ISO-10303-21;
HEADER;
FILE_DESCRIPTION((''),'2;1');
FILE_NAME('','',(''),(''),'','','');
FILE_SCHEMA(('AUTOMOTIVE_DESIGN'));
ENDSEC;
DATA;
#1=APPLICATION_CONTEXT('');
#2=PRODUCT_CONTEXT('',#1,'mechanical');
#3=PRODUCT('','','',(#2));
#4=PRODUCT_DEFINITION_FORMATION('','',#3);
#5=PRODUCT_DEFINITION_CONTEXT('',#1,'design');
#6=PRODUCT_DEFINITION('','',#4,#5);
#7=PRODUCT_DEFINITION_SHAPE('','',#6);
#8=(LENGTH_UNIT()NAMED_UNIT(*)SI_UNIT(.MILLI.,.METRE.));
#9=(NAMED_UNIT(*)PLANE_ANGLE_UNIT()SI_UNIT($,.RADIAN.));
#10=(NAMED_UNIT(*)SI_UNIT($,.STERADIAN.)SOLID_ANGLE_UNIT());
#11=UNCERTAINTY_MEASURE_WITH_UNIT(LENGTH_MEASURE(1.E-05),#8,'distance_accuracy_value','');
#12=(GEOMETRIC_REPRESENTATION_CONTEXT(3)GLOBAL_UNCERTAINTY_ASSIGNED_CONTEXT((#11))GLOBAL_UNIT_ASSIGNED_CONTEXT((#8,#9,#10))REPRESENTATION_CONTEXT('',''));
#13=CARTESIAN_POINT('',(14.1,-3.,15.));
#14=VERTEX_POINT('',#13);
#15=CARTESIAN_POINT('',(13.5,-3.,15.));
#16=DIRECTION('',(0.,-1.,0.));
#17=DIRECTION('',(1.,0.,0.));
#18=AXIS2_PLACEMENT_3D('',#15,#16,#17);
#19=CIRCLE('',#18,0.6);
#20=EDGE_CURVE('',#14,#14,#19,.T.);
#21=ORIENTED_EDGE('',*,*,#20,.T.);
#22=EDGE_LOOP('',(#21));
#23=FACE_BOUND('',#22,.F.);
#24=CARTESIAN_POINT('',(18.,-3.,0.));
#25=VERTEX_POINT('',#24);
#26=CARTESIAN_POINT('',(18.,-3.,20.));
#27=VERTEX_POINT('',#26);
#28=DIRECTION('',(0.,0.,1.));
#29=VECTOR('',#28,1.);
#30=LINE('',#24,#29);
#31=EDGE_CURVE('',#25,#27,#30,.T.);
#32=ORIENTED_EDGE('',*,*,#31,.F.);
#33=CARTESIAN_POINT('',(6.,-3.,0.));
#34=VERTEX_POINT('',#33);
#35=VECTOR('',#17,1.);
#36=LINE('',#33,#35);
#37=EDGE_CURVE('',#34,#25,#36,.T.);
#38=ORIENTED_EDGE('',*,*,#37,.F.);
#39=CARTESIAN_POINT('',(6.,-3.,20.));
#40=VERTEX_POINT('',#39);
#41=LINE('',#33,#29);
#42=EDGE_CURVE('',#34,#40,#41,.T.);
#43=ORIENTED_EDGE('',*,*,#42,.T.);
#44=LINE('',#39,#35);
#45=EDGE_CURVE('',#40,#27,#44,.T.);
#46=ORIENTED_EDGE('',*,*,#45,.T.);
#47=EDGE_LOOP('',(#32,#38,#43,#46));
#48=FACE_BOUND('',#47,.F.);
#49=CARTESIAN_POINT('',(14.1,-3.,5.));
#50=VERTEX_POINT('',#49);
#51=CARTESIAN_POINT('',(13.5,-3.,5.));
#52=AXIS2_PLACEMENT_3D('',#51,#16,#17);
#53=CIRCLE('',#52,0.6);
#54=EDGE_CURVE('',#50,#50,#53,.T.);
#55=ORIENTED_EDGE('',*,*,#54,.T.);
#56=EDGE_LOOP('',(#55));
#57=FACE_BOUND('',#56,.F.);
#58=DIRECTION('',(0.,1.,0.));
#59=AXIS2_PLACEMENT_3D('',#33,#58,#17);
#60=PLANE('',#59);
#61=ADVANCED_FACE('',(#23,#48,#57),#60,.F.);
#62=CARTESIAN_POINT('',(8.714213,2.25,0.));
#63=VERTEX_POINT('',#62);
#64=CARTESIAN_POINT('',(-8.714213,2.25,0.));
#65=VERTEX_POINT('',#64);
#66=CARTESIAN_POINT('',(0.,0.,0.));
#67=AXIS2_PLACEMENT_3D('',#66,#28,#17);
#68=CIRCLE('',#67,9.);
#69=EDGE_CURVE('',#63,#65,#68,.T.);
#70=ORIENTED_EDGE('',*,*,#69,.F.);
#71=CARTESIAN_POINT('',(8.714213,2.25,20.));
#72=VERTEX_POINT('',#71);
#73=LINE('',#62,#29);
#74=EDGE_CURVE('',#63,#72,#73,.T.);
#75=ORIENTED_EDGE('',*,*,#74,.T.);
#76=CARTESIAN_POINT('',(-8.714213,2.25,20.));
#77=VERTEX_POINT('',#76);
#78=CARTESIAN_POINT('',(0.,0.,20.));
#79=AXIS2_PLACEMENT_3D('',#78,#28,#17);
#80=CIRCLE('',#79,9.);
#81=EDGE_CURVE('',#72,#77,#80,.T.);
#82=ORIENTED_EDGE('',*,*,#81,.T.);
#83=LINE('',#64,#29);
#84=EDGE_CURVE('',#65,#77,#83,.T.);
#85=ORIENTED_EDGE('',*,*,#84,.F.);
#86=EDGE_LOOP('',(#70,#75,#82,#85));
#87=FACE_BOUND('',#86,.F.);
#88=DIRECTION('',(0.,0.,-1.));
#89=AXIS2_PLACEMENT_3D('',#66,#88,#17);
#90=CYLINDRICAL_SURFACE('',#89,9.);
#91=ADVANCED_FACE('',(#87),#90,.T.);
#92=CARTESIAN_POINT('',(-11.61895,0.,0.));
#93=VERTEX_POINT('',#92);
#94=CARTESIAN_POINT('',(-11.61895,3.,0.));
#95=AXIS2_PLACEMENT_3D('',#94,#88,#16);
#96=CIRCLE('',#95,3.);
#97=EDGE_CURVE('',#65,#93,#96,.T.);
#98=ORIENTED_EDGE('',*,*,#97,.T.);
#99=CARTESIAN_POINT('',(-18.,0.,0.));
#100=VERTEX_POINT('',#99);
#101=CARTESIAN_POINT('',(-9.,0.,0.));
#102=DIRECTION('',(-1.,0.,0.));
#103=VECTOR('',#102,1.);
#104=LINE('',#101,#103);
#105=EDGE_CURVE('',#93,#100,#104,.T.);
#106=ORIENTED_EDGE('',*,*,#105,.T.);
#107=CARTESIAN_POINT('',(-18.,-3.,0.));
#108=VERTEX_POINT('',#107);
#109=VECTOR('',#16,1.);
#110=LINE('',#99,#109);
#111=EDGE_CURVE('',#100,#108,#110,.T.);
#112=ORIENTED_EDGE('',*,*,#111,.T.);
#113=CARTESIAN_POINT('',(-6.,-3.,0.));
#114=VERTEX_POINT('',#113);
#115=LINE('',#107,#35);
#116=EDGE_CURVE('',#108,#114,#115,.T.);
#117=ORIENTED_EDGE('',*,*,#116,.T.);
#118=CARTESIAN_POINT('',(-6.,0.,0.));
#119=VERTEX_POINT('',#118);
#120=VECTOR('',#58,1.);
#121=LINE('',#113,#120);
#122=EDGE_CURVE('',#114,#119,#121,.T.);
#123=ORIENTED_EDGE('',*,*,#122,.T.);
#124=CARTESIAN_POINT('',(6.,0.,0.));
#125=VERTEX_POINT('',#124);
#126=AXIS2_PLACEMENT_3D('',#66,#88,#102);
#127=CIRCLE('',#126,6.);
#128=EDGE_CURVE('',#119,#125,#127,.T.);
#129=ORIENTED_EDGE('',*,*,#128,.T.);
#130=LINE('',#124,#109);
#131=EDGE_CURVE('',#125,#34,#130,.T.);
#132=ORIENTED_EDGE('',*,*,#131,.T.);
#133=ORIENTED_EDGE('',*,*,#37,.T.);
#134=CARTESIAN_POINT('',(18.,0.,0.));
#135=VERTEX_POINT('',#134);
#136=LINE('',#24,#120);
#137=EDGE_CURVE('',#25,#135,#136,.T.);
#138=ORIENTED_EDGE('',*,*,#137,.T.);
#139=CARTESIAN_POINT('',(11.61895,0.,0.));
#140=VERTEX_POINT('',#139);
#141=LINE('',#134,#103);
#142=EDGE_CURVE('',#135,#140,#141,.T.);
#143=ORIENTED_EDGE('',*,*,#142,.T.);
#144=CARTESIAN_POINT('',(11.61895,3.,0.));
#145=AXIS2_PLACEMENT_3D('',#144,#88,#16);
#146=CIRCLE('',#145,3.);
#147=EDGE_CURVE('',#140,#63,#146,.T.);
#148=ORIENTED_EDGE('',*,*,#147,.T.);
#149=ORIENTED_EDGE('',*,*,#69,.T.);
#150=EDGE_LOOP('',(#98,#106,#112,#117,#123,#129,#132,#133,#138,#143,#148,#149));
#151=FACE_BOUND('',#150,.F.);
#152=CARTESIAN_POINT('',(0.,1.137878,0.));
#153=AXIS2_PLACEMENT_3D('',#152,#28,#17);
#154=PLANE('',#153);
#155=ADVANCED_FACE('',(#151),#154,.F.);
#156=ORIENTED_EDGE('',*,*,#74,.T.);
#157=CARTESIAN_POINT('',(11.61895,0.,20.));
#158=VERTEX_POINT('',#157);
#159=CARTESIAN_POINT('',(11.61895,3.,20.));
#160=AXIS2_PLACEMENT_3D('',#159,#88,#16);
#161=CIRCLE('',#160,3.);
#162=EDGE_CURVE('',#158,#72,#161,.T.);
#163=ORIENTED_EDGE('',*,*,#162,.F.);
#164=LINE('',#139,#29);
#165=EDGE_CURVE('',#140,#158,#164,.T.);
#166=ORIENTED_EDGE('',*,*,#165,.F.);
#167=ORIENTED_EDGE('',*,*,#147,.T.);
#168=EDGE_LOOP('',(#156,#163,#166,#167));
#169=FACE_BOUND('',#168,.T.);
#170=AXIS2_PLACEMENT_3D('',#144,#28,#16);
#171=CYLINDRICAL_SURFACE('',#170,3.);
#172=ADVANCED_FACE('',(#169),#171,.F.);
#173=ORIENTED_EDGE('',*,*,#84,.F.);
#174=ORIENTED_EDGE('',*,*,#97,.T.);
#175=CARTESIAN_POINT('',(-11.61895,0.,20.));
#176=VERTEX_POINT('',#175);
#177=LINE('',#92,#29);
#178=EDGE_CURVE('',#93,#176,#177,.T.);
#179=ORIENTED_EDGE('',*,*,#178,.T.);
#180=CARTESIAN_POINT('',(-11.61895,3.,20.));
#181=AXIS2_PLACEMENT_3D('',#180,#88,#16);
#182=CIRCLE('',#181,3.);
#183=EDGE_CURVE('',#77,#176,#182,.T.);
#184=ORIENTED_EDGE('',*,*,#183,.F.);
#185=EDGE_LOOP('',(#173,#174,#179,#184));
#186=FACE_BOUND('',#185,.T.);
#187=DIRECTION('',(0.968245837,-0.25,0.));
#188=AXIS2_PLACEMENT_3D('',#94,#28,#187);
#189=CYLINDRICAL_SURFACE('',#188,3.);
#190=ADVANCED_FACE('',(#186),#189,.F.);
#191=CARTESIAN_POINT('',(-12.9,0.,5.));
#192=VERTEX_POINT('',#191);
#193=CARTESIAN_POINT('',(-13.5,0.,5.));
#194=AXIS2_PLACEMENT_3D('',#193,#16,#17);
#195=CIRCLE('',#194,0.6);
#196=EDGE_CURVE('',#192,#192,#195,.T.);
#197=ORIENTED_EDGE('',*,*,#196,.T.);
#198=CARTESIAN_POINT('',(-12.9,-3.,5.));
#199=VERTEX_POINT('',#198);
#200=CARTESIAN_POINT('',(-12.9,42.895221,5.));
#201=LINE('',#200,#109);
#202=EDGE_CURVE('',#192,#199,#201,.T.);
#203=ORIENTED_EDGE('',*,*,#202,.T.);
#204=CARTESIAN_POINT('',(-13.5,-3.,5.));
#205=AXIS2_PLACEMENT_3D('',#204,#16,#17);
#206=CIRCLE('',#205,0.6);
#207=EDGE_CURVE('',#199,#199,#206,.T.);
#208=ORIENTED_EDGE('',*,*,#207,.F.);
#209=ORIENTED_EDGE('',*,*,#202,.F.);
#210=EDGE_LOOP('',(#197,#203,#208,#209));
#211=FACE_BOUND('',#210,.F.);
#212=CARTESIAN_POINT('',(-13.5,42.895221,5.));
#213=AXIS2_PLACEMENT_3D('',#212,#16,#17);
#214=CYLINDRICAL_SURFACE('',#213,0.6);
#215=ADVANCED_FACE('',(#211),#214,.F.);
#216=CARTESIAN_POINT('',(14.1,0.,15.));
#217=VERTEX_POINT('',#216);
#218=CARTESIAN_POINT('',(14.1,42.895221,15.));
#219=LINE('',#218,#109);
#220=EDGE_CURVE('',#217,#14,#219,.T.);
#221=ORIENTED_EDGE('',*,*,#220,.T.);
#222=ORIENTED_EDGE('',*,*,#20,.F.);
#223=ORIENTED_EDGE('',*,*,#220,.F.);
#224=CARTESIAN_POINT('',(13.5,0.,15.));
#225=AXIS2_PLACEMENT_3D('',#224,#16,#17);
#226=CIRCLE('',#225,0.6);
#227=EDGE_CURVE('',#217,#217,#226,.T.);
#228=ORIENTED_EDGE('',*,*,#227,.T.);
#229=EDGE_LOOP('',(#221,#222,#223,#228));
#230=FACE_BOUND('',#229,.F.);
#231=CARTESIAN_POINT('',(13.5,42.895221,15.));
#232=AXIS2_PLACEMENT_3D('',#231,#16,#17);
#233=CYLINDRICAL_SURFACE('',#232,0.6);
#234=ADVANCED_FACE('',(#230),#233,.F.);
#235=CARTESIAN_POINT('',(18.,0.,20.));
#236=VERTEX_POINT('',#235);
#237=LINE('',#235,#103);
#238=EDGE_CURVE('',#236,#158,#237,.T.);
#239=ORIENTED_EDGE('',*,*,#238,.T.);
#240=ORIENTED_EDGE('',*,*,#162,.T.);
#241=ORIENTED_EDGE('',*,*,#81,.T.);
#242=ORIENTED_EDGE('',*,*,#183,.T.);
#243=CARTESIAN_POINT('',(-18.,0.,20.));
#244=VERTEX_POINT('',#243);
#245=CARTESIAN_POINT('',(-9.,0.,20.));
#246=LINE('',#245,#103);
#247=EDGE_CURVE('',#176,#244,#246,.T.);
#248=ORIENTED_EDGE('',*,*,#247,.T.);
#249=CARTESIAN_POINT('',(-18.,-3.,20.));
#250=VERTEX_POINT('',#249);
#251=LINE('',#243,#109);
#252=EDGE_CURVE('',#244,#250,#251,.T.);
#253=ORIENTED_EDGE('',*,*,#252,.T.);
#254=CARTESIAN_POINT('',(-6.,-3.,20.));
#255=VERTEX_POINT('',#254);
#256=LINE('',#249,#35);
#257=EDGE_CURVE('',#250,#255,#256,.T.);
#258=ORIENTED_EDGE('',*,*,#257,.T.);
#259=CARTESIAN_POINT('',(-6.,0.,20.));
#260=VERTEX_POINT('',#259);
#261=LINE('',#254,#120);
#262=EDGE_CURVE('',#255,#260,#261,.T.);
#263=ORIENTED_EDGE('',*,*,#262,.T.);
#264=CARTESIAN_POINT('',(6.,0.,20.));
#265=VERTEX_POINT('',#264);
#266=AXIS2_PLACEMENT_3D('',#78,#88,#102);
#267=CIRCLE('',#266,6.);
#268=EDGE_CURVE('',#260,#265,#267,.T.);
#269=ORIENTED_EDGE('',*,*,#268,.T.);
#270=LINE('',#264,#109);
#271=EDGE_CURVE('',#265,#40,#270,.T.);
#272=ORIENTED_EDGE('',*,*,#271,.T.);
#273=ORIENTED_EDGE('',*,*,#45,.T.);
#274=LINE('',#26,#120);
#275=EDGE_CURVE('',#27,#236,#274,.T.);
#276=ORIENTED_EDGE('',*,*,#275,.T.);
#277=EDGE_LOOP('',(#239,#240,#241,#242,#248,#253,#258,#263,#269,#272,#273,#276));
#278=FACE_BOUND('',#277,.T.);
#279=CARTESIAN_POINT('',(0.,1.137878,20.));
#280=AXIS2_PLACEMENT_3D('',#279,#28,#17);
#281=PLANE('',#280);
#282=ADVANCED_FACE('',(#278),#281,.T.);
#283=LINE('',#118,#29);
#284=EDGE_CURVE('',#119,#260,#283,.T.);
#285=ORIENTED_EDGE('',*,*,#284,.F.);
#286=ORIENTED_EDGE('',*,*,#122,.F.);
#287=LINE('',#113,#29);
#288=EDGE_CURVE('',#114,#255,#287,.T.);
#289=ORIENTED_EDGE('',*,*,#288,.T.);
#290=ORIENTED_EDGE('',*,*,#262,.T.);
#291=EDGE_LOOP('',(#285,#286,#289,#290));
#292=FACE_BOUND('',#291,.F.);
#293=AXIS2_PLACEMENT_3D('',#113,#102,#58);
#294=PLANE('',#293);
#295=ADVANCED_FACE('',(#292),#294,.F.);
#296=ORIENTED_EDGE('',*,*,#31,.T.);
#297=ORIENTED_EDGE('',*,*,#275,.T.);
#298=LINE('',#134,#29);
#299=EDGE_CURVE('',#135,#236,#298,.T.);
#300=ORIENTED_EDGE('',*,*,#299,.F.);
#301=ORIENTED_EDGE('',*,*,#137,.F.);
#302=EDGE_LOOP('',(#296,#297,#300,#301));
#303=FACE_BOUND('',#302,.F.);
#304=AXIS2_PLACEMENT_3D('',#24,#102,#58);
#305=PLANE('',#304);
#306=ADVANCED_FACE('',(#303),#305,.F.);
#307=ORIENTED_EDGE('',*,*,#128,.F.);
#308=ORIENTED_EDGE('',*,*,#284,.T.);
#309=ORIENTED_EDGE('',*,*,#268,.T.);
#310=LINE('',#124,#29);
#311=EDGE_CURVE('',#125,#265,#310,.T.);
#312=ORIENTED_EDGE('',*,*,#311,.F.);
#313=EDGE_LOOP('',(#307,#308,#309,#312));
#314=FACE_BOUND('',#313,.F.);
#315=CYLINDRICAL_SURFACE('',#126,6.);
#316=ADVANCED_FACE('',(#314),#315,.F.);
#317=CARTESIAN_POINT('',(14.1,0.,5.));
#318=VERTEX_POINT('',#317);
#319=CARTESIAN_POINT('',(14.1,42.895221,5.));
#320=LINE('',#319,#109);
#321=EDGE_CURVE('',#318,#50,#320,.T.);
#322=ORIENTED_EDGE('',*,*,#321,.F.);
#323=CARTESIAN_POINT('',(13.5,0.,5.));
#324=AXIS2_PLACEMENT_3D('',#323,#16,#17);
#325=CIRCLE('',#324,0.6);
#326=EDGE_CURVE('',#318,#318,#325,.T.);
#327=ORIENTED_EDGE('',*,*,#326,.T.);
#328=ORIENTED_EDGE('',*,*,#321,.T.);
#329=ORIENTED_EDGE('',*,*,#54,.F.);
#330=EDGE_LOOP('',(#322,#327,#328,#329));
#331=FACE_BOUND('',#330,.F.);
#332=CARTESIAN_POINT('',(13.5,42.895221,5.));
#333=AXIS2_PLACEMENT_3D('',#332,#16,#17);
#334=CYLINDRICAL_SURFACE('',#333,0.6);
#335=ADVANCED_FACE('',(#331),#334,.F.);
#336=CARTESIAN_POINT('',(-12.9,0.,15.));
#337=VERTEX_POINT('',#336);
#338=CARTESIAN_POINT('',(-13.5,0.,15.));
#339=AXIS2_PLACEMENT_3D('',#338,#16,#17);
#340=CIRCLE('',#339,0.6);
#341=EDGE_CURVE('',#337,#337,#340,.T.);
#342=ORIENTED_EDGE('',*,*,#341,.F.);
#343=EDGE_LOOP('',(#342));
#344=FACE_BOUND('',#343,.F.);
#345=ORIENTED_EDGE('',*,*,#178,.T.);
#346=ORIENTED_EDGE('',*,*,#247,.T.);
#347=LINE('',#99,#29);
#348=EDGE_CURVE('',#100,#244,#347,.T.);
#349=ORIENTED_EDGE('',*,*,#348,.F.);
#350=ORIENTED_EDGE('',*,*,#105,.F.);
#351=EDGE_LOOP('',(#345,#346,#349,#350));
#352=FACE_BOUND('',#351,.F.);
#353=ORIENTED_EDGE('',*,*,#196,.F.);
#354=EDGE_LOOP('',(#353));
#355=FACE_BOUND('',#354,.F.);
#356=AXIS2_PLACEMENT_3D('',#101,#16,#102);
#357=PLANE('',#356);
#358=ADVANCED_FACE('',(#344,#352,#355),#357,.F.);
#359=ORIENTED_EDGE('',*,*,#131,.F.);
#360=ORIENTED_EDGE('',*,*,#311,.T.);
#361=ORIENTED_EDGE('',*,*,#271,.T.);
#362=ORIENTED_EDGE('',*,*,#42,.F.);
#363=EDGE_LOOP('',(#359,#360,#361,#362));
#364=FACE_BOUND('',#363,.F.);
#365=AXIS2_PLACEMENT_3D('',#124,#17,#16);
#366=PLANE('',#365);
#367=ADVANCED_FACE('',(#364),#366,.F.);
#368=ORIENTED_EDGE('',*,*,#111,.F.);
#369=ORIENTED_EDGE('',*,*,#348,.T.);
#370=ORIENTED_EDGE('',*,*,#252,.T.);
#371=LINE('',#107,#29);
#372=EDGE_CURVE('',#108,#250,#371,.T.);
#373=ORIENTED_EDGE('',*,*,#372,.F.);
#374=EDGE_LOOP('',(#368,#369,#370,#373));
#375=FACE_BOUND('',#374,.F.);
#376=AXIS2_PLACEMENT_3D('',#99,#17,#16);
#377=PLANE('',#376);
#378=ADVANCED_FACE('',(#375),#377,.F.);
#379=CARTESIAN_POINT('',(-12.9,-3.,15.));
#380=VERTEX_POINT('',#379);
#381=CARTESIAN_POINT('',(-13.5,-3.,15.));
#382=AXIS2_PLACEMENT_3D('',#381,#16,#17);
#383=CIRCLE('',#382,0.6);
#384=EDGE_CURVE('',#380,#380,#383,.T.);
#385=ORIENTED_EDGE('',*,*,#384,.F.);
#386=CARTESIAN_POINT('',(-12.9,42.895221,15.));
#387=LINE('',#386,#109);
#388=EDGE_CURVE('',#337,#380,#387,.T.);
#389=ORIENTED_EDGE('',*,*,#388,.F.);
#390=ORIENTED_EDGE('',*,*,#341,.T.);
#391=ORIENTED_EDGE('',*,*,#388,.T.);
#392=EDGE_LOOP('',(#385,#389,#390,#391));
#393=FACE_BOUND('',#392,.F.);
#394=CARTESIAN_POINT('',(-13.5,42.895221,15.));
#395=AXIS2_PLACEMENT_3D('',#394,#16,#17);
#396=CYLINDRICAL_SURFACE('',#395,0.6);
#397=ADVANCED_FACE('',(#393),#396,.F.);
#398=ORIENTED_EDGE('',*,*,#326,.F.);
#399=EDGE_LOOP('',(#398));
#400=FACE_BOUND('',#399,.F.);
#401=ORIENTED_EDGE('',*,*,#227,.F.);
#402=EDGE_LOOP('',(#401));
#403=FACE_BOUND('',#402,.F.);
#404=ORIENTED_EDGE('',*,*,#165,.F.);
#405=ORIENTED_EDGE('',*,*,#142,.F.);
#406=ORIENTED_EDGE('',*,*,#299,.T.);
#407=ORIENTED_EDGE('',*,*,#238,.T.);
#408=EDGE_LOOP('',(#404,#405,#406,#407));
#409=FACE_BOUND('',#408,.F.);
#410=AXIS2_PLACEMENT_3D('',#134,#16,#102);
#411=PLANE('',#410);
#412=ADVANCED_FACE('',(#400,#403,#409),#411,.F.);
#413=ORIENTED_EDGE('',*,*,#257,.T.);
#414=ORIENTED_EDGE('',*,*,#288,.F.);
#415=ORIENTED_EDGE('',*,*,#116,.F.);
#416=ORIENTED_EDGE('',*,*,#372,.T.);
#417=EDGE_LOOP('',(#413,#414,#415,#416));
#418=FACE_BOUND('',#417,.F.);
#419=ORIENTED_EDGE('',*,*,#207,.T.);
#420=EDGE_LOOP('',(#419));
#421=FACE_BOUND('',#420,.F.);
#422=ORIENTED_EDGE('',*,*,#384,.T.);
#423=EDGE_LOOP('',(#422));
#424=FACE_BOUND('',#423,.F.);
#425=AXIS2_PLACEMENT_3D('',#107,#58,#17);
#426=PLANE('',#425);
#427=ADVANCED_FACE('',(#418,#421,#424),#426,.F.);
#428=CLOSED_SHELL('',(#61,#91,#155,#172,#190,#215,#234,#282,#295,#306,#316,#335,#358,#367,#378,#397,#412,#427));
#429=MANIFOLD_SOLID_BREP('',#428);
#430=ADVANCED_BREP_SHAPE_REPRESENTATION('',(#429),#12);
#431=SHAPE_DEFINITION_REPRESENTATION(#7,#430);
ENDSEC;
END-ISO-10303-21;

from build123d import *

# Parameters (mm, degrees)
F1_DEPTH = 20
F3_D     = 1.2
F4_R     = 3


with BuildPart() as f1:
    # F0 (on Top) → F1 (new body)
    with BuildSketch(Plane.XY):
        with BuildLine():
            ThreePointArc((-6, 0), (0, 6), (6, 0))
            Line((6, 0), (6, -3))
            Line((6, -3), (18, -3))
            Line((18, -3), (18, 0))
            Line((18, 0), (9, 0))
            ThreePointArc((9, 0), (0, 9), (-9, 0))
            Line((-9, 0), (-18, 0))
            Line((-18, 0), (-18, -3))
            Line((-18, -3), (-6, -3))
            Line((-6, -3), (-6, 0))
        make_face()
    extrude(amount=F1_DEPTH)

    # F3 (through all)
    with Locations(Plane(origin=(0, 0, 0), x_dir=(-1, 0, 0), z_dir=(0, 1, 0))):
        with Locations((-13.5, 15), (-13.5, 5), (13.5, 15), (13.5, 5)):
            Hole(F3_D / 2)

    # F4
    f4_edges = [f1.edges().sort_by_distance(p)[0] for p in [
        (9, 0, 10),
        (-9, 0, 10),
    ]]
    fillet(f4_edges, radius=F4_R)


solid = f1.part
